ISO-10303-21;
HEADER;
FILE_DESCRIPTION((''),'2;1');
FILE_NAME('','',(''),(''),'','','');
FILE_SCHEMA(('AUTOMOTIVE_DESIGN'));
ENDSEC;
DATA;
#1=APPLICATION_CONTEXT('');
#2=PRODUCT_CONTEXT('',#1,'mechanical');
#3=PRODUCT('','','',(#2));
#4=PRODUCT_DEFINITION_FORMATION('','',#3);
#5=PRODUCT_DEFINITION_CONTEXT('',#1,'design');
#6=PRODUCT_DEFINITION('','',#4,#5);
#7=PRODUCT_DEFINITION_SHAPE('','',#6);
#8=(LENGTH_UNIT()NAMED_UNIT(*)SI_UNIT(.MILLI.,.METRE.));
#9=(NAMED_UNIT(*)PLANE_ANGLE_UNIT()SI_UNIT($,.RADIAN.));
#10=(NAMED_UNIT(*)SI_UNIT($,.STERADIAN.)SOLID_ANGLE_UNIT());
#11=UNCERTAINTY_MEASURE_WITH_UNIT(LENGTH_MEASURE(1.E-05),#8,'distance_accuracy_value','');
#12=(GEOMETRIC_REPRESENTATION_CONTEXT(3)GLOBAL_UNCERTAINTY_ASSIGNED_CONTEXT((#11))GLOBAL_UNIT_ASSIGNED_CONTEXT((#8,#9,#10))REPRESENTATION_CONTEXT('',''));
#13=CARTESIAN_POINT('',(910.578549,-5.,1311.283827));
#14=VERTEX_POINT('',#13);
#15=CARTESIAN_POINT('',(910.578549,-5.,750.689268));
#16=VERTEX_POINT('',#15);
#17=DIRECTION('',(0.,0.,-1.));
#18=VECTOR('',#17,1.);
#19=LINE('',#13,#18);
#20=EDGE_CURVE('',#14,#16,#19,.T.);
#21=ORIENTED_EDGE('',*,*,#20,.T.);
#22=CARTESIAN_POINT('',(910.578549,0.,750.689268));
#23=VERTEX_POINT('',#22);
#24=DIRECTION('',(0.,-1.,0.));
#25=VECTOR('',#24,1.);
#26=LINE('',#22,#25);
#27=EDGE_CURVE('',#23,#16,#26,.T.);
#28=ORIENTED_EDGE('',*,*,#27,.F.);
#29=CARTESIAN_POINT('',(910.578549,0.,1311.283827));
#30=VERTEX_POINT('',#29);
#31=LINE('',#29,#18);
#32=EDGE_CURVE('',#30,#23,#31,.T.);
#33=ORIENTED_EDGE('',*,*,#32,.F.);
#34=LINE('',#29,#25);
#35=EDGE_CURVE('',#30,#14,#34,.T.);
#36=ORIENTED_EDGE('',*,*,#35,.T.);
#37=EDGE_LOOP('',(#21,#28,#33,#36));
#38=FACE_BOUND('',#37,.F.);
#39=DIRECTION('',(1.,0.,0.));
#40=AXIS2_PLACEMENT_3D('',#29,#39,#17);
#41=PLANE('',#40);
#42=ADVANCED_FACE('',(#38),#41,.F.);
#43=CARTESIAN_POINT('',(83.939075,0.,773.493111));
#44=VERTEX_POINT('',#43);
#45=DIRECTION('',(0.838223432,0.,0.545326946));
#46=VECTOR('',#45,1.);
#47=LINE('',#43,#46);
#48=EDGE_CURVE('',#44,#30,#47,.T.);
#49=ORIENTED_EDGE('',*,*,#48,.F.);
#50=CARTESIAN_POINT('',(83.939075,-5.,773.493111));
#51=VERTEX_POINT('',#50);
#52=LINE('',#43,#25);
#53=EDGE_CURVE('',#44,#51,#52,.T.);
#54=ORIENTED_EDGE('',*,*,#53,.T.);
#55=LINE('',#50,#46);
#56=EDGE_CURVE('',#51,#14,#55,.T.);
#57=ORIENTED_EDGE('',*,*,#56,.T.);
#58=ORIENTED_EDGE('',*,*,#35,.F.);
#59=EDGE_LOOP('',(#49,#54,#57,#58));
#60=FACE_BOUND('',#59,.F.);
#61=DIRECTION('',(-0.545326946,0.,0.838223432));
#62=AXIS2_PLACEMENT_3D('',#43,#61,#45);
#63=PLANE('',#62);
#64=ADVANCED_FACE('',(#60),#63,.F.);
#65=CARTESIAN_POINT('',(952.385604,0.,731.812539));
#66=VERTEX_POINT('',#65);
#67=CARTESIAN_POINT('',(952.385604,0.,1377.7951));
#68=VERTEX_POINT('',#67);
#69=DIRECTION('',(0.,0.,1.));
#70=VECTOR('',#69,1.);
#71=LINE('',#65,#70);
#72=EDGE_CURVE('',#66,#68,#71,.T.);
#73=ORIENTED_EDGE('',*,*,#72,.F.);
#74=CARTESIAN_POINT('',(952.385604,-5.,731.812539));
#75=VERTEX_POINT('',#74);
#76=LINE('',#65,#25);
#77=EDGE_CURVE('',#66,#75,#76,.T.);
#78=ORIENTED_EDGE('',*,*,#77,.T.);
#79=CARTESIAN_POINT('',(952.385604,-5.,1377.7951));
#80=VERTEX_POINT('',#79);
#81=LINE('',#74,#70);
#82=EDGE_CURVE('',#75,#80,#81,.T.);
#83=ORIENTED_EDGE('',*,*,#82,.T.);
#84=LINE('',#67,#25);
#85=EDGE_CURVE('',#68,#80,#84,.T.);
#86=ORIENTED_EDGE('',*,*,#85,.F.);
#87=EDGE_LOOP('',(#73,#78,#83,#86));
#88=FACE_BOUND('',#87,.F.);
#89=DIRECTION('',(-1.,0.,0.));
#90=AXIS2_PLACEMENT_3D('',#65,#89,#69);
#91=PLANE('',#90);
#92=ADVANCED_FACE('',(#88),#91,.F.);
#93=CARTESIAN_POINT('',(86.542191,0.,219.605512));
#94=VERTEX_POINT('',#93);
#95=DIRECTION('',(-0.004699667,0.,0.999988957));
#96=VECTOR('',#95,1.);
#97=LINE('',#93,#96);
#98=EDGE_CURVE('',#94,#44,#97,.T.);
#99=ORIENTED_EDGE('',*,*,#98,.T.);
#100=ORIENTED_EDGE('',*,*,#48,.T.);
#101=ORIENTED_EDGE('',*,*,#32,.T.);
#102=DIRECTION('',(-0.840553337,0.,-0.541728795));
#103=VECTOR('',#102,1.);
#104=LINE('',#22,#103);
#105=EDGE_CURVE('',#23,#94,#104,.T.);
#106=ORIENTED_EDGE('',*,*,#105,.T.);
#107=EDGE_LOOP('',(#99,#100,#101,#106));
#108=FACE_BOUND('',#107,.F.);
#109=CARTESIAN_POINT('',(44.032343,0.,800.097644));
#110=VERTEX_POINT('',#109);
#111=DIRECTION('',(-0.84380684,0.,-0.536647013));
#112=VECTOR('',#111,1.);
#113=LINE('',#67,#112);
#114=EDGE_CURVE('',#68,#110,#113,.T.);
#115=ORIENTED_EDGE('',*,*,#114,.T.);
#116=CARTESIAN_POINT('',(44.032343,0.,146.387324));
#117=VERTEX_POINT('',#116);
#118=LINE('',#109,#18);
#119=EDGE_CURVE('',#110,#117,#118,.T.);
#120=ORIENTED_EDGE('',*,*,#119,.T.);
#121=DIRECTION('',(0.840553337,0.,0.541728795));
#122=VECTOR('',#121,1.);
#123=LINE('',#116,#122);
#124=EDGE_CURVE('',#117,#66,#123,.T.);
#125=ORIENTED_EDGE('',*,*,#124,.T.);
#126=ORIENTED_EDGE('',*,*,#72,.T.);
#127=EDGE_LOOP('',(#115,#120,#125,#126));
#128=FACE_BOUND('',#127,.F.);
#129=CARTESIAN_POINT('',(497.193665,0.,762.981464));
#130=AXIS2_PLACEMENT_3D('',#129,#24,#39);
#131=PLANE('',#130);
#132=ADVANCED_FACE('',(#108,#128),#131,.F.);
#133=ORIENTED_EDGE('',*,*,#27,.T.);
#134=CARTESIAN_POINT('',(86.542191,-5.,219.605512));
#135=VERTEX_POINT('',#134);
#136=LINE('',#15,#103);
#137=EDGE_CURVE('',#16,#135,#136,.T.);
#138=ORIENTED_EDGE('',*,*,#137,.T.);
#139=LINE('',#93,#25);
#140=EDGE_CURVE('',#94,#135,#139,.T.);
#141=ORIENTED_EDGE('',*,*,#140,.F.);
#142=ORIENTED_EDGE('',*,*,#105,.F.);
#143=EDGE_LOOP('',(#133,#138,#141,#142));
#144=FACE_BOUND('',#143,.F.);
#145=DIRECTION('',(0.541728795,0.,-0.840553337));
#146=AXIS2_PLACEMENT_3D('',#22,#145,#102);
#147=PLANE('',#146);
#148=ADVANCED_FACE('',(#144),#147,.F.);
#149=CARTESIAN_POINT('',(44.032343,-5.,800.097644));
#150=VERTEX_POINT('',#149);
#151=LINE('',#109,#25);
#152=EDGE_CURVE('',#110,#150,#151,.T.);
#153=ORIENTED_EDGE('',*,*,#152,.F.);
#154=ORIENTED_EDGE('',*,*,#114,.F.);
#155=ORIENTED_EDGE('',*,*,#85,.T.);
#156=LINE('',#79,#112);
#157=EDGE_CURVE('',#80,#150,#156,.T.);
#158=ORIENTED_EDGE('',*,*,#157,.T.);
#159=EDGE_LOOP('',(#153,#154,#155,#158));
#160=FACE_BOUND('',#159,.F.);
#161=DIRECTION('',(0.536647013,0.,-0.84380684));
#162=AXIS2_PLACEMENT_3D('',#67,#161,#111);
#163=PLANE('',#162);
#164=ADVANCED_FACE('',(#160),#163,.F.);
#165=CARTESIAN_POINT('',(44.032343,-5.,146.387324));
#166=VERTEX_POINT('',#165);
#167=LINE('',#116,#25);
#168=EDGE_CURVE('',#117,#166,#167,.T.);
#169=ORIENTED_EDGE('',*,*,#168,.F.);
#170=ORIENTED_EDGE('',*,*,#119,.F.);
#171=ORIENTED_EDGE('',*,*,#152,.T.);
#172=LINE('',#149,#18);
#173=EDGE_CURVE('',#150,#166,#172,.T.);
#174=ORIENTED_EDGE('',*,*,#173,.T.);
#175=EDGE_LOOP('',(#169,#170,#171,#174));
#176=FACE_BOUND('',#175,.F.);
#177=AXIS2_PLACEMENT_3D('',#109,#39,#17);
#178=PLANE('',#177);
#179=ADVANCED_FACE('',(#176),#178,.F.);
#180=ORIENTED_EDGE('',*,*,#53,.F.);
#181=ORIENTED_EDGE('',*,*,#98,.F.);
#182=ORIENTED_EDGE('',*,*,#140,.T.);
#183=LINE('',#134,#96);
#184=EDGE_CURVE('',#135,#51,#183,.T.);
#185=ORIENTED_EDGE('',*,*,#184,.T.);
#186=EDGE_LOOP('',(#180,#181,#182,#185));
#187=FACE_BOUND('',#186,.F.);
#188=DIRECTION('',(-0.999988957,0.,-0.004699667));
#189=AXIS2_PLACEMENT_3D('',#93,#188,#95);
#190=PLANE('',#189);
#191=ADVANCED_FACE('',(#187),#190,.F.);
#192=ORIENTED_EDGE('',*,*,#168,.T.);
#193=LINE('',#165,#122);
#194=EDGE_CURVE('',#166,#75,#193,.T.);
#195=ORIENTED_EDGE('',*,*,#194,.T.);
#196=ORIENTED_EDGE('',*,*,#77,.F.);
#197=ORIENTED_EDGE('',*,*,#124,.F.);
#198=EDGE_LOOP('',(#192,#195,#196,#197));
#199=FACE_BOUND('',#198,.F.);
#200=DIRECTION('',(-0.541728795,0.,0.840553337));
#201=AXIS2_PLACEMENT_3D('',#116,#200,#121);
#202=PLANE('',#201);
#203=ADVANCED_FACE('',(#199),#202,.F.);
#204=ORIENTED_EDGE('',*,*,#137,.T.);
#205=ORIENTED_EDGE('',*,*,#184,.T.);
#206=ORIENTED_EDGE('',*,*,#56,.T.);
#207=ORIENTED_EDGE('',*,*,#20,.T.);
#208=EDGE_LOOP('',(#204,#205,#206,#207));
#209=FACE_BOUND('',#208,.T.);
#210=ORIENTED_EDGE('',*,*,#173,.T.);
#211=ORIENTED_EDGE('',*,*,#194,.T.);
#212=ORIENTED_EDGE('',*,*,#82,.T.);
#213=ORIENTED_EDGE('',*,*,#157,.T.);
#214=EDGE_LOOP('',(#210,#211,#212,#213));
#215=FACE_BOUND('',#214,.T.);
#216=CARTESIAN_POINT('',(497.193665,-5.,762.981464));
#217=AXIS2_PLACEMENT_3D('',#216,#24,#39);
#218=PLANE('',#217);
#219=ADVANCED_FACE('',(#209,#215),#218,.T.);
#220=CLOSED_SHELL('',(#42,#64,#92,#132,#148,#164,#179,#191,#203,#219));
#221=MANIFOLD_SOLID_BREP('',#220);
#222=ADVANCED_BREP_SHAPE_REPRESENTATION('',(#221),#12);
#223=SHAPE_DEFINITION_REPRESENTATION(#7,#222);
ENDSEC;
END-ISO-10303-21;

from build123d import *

# Parameters (mm, degrees)
F1_DEPTH = 5


with BuildPart() as f1:
    # F0 (on Front) → F1 (new body)
    with BuildSketch(Plane.XZ):
        Polygon((952.385604, 1377.7951), (44.032343, 800.097644), (44.032343, 146.387324), (952.385604, 731.812539), align=None)
        Polygon((86.542191, 219.605512), (83.939075, 773.493111), (910.578549, 1311.283827), (910.578549, 750.689268), align=None, mode=Mode.SUBTRACT)
    extrude(amount=F1_DEPTH)


solid = f1.part
